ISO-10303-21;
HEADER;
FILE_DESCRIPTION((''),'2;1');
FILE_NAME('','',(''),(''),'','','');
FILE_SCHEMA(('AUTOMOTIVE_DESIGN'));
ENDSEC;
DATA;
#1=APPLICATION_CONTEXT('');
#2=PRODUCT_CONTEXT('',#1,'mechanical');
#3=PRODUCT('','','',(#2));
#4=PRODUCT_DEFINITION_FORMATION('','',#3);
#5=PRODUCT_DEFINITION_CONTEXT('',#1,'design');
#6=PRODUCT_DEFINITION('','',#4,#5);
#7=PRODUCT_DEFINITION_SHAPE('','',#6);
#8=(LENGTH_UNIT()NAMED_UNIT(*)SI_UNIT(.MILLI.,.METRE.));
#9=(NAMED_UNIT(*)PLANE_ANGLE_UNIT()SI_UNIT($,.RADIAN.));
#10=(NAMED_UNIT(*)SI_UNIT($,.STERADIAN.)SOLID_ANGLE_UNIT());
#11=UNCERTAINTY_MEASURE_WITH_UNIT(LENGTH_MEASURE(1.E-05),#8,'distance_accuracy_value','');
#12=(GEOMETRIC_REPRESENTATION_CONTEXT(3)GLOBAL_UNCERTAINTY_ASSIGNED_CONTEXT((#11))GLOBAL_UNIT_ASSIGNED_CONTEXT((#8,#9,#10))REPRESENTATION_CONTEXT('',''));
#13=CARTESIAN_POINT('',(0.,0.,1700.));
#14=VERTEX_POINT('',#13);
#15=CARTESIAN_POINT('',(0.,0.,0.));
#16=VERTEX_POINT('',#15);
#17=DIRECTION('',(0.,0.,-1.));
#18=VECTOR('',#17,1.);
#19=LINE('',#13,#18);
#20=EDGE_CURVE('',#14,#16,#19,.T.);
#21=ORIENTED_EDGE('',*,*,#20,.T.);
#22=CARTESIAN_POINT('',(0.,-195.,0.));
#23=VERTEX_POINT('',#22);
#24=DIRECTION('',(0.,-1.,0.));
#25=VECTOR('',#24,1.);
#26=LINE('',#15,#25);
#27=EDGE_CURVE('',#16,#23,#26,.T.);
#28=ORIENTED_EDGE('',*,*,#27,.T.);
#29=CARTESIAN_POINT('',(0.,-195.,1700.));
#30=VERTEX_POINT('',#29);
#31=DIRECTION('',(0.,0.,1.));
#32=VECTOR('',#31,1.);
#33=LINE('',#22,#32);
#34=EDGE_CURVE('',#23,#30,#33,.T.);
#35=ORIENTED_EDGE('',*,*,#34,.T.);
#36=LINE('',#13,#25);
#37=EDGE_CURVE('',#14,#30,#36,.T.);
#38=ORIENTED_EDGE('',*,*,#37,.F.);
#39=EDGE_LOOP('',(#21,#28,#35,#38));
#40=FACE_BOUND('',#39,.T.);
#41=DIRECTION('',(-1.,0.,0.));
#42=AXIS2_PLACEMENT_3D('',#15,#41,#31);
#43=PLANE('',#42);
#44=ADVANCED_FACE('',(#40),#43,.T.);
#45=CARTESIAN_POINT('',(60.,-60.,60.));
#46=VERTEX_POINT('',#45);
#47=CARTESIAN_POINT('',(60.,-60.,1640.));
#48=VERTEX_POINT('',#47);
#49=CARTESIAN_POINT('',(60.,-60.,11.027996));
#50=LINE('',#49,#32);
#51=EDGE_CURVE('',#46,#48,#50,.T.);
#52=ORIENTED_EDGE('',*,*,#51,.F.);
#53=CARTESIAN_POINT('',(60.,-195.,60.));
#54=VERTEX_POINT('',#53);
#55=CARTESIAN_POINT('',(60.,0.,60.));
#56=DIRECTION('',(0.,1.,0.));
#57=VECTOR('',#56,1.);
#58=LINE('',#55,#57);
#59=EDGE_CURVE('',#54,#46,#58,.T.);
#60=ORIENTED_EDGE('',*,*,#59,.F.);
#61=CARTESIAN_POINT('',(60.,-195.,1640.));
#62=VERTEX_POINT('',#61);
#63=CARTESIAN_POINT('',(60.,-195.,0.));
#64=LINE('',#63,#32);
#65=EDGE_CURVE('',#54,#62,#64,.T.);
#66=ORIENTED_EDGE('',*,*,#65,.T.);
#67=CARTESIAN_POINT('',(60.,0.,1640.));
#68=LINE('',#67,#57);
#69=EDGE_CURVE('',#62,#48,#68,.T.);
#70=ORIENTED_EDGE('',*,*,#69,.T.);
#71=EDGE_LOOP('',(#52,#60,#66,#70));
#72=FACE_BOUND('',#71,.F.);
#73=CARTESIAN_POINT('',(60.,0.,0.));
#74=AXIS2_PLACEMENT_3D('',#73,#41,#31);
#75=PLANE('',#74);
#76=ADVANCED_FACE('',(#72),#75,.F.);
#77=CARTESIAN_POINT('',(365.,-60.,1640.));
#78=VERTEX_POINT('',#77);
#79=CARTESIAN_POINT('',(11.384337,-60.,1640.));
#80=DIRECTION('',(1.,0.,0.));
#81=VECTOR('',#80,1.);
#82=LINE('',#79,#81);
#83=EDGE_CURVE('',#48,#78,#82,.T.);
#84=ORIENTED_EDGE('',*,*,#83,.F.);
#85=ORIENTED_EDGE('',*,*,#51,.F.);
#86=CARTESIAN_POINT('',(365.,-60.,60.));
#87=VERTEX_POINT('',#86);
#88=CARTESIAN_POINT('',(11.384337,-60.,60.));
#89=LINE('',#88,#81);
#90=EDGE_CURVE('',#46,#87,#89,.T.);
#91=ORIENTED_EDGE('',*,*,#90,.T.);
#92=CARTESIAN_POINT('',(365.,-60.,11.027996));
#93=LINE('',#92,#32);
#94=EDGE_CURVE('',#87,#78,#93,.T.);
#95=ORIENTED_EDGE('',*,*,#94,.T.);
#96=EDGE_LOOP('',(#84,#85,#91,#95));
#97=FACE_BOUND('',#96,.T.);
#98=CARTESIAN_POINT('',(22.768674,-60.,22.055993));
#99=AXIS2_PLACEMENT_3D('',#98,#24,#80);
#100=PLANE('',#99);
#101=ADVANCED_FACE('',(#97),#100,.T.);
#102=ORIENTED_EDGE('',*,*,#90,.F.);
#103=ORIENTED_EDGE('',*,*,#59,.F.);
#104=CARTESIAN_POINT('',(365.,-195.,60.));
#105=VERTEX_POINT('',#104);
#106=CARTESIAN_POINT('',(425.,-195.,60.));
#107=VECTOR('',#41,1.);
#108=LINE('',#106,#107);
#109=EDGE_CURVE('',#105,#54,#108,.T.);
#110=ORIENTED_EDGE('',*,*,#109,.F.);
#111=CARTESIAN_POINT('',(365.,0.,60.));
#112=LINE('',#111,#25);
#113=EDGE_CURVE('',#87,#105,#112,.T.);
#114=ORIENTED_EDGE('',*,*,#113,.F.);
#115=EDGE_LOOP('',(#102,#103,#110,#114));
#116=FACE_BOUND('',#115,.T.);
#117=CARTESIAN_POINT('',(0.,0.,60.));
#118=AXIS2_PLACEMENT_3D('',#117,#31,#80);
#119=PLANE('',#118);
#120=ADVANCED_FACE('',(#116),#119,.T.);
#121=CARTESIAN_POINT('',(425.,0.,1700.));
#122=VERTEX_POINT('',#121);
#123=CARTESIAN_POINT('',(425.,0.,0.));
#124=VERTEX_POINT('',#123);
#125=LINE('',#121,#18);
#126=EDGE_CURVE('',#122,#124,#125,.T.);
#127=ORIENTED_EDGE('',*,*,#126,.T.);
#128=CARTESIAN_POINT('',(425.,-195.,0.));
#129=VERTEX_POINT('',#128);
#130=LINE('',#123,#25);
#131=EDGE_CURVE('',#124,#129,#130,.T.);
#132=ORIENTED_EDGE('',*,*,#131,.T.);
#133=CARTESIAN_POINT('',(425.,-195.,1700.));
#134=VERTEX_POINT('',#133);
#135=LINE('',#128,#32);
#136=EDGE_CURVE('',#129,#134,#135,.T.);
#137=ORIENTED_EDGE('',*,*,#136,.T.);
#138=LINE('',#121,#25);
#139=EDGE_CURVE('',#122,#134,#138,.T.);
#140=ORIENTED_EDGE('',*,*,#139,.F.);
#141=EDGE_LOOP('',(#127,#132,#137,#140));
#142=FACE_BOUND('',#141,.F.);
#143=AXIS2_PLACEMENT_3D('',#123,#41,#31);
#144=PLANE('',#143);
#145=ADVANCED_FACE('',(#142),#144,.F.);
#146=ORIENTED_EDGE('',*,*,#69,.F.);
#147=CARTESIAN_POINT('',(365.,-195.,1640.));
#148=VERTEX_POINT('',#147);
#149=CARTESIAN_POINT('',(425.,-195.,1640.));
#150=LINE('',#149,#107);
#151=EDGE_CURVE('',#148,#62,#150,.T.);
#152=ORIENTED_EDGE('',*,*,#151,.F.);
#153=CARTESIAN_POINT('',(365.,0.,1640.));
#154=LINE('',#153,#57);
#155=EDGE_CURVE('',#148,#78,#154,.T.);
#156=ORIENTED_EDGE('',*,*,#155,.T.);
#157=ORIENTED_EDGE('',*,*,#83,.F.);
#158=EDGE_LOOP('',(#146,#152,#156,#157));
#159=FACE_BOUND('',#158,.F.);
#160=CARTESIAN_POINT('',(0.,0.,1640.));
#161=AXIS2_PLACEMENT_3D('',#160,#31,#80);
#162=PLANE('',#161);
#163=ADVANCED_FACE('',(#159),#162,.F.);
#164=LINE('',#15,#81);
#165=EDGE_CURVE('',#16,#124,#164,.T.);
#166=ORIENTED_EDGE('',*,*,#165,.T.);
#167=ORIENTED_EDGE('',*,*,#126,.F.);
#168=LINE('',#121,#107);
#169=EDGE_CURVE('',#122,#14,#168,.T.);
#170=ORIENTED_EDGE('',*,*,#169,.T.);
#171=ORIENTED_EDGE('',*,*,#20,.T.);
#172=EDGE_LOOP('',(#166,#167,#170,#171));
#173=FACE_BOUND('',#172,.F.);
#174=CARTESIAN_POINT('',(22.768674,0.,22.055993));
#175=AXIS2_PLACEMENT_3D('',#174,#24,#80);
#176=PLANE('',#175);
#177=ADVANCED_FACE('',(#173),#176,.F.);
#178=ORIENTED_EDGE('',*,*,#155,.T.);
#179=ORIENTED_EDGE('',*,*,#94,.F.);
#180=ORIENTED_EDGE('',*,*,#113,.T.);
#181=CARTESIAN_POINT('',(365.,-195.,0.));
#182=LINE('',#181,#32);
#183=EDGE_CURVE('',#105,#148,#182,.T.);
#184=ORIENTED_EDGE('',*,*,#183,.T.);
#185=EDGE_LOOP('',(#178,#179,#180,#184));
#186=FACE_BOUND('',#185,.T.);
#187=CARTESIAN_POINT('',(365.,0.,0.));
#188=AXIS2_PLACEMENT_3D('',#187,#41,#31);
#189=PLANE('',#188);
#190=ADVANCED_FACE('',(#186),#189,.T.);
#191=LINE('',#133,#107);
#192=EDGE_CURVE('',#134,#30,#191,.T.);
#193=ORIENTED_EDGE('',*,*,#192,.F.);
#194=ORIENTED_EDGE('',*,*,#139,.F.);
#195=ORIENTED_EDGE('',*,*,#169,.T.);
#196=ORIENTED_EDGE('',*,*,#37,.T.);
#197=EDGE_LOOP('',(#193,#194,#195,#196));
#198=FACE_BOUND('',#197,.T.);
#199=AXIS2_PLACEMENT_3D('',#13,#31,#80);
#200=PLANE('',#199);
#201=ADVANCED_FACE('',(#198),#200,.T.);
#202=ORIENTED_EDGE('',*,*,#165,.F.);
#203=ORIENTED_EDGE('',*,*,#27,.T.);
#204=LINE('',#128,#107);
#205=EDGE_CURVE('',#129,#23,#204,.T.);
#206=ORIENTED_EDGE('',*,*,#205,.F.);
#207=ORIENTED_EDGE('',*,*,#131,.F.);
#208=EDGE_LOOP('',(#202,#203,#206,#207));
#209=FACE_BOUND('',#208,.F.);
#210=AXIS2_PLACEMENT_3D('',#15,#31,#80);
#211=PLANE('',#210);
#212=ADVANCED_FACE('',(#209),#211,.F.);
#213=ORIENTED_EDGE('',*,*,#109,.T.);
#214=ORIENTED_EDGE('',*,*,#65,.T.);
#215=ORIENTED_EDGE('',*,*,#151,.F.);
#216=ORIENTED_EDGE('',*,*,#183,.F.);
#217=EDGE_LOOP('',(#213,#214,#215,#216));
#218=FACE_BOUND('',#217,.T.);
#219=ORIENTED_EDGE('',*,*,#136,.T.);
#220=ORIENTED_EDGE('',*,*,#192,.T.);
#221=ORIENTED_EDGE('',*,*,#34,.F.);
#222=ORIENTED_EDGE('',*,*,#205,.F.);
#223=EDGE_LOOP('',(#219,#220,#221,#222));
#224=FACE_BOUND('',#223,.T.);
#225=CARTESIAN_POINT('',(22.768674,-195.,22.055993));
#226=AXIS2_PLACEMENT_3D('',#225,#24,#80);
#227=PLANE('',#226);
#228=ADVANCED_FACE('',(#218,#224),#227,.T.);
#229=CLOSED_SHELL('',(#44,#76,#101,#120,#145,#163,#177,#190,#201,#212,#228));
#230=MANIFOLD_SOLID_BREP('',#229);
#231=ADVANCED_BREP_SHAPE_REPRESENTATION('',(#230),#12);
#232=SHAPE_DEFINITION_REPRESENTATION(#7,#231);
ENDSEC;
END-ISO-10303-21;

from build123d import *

# Parameters (mm, degrees)
F0_W     = 45.5373488367
F0_H     = 44.1119857132
F1_DEPTH = 195
F2_DEPTH = 1700
F3_DEPTH = 425
F4_T     = -60


with BuildPart() as f1:
    # F0 (on Front) → F1 (new body)
    with BuildSketch(Plane.XZ):
        with Locations((22.7686744183, 22.0559928566)):
            Rectangle(F0_W, F0_H)
    extrude(amount=F1_DEPTH)

    # F2 (add): a face of the model
    f2_faces = [f1.faces().sort_by_distance(p)[0] for p in [
        (22.7686744183, -97.5, 0),
    ]]
    extrude(f2_faces, amount=-F2_DEPTH)

    # F3 (add): a face of the model
    f3_faces = [f1.faces().sort_by_distance(p)[0] for p in [
        (0, -97.5, 850),
    ]]
    extrude(f3_faces, amount=-F3_DEPTH)

    # F4
    f4_openings = [f1.faces().sort_by_distance(p)[0] for p in [
        (212.5, -195, 850),
    ]]
    offset(amount=F4_T, openings=f4_openings)


solid = f1.part
